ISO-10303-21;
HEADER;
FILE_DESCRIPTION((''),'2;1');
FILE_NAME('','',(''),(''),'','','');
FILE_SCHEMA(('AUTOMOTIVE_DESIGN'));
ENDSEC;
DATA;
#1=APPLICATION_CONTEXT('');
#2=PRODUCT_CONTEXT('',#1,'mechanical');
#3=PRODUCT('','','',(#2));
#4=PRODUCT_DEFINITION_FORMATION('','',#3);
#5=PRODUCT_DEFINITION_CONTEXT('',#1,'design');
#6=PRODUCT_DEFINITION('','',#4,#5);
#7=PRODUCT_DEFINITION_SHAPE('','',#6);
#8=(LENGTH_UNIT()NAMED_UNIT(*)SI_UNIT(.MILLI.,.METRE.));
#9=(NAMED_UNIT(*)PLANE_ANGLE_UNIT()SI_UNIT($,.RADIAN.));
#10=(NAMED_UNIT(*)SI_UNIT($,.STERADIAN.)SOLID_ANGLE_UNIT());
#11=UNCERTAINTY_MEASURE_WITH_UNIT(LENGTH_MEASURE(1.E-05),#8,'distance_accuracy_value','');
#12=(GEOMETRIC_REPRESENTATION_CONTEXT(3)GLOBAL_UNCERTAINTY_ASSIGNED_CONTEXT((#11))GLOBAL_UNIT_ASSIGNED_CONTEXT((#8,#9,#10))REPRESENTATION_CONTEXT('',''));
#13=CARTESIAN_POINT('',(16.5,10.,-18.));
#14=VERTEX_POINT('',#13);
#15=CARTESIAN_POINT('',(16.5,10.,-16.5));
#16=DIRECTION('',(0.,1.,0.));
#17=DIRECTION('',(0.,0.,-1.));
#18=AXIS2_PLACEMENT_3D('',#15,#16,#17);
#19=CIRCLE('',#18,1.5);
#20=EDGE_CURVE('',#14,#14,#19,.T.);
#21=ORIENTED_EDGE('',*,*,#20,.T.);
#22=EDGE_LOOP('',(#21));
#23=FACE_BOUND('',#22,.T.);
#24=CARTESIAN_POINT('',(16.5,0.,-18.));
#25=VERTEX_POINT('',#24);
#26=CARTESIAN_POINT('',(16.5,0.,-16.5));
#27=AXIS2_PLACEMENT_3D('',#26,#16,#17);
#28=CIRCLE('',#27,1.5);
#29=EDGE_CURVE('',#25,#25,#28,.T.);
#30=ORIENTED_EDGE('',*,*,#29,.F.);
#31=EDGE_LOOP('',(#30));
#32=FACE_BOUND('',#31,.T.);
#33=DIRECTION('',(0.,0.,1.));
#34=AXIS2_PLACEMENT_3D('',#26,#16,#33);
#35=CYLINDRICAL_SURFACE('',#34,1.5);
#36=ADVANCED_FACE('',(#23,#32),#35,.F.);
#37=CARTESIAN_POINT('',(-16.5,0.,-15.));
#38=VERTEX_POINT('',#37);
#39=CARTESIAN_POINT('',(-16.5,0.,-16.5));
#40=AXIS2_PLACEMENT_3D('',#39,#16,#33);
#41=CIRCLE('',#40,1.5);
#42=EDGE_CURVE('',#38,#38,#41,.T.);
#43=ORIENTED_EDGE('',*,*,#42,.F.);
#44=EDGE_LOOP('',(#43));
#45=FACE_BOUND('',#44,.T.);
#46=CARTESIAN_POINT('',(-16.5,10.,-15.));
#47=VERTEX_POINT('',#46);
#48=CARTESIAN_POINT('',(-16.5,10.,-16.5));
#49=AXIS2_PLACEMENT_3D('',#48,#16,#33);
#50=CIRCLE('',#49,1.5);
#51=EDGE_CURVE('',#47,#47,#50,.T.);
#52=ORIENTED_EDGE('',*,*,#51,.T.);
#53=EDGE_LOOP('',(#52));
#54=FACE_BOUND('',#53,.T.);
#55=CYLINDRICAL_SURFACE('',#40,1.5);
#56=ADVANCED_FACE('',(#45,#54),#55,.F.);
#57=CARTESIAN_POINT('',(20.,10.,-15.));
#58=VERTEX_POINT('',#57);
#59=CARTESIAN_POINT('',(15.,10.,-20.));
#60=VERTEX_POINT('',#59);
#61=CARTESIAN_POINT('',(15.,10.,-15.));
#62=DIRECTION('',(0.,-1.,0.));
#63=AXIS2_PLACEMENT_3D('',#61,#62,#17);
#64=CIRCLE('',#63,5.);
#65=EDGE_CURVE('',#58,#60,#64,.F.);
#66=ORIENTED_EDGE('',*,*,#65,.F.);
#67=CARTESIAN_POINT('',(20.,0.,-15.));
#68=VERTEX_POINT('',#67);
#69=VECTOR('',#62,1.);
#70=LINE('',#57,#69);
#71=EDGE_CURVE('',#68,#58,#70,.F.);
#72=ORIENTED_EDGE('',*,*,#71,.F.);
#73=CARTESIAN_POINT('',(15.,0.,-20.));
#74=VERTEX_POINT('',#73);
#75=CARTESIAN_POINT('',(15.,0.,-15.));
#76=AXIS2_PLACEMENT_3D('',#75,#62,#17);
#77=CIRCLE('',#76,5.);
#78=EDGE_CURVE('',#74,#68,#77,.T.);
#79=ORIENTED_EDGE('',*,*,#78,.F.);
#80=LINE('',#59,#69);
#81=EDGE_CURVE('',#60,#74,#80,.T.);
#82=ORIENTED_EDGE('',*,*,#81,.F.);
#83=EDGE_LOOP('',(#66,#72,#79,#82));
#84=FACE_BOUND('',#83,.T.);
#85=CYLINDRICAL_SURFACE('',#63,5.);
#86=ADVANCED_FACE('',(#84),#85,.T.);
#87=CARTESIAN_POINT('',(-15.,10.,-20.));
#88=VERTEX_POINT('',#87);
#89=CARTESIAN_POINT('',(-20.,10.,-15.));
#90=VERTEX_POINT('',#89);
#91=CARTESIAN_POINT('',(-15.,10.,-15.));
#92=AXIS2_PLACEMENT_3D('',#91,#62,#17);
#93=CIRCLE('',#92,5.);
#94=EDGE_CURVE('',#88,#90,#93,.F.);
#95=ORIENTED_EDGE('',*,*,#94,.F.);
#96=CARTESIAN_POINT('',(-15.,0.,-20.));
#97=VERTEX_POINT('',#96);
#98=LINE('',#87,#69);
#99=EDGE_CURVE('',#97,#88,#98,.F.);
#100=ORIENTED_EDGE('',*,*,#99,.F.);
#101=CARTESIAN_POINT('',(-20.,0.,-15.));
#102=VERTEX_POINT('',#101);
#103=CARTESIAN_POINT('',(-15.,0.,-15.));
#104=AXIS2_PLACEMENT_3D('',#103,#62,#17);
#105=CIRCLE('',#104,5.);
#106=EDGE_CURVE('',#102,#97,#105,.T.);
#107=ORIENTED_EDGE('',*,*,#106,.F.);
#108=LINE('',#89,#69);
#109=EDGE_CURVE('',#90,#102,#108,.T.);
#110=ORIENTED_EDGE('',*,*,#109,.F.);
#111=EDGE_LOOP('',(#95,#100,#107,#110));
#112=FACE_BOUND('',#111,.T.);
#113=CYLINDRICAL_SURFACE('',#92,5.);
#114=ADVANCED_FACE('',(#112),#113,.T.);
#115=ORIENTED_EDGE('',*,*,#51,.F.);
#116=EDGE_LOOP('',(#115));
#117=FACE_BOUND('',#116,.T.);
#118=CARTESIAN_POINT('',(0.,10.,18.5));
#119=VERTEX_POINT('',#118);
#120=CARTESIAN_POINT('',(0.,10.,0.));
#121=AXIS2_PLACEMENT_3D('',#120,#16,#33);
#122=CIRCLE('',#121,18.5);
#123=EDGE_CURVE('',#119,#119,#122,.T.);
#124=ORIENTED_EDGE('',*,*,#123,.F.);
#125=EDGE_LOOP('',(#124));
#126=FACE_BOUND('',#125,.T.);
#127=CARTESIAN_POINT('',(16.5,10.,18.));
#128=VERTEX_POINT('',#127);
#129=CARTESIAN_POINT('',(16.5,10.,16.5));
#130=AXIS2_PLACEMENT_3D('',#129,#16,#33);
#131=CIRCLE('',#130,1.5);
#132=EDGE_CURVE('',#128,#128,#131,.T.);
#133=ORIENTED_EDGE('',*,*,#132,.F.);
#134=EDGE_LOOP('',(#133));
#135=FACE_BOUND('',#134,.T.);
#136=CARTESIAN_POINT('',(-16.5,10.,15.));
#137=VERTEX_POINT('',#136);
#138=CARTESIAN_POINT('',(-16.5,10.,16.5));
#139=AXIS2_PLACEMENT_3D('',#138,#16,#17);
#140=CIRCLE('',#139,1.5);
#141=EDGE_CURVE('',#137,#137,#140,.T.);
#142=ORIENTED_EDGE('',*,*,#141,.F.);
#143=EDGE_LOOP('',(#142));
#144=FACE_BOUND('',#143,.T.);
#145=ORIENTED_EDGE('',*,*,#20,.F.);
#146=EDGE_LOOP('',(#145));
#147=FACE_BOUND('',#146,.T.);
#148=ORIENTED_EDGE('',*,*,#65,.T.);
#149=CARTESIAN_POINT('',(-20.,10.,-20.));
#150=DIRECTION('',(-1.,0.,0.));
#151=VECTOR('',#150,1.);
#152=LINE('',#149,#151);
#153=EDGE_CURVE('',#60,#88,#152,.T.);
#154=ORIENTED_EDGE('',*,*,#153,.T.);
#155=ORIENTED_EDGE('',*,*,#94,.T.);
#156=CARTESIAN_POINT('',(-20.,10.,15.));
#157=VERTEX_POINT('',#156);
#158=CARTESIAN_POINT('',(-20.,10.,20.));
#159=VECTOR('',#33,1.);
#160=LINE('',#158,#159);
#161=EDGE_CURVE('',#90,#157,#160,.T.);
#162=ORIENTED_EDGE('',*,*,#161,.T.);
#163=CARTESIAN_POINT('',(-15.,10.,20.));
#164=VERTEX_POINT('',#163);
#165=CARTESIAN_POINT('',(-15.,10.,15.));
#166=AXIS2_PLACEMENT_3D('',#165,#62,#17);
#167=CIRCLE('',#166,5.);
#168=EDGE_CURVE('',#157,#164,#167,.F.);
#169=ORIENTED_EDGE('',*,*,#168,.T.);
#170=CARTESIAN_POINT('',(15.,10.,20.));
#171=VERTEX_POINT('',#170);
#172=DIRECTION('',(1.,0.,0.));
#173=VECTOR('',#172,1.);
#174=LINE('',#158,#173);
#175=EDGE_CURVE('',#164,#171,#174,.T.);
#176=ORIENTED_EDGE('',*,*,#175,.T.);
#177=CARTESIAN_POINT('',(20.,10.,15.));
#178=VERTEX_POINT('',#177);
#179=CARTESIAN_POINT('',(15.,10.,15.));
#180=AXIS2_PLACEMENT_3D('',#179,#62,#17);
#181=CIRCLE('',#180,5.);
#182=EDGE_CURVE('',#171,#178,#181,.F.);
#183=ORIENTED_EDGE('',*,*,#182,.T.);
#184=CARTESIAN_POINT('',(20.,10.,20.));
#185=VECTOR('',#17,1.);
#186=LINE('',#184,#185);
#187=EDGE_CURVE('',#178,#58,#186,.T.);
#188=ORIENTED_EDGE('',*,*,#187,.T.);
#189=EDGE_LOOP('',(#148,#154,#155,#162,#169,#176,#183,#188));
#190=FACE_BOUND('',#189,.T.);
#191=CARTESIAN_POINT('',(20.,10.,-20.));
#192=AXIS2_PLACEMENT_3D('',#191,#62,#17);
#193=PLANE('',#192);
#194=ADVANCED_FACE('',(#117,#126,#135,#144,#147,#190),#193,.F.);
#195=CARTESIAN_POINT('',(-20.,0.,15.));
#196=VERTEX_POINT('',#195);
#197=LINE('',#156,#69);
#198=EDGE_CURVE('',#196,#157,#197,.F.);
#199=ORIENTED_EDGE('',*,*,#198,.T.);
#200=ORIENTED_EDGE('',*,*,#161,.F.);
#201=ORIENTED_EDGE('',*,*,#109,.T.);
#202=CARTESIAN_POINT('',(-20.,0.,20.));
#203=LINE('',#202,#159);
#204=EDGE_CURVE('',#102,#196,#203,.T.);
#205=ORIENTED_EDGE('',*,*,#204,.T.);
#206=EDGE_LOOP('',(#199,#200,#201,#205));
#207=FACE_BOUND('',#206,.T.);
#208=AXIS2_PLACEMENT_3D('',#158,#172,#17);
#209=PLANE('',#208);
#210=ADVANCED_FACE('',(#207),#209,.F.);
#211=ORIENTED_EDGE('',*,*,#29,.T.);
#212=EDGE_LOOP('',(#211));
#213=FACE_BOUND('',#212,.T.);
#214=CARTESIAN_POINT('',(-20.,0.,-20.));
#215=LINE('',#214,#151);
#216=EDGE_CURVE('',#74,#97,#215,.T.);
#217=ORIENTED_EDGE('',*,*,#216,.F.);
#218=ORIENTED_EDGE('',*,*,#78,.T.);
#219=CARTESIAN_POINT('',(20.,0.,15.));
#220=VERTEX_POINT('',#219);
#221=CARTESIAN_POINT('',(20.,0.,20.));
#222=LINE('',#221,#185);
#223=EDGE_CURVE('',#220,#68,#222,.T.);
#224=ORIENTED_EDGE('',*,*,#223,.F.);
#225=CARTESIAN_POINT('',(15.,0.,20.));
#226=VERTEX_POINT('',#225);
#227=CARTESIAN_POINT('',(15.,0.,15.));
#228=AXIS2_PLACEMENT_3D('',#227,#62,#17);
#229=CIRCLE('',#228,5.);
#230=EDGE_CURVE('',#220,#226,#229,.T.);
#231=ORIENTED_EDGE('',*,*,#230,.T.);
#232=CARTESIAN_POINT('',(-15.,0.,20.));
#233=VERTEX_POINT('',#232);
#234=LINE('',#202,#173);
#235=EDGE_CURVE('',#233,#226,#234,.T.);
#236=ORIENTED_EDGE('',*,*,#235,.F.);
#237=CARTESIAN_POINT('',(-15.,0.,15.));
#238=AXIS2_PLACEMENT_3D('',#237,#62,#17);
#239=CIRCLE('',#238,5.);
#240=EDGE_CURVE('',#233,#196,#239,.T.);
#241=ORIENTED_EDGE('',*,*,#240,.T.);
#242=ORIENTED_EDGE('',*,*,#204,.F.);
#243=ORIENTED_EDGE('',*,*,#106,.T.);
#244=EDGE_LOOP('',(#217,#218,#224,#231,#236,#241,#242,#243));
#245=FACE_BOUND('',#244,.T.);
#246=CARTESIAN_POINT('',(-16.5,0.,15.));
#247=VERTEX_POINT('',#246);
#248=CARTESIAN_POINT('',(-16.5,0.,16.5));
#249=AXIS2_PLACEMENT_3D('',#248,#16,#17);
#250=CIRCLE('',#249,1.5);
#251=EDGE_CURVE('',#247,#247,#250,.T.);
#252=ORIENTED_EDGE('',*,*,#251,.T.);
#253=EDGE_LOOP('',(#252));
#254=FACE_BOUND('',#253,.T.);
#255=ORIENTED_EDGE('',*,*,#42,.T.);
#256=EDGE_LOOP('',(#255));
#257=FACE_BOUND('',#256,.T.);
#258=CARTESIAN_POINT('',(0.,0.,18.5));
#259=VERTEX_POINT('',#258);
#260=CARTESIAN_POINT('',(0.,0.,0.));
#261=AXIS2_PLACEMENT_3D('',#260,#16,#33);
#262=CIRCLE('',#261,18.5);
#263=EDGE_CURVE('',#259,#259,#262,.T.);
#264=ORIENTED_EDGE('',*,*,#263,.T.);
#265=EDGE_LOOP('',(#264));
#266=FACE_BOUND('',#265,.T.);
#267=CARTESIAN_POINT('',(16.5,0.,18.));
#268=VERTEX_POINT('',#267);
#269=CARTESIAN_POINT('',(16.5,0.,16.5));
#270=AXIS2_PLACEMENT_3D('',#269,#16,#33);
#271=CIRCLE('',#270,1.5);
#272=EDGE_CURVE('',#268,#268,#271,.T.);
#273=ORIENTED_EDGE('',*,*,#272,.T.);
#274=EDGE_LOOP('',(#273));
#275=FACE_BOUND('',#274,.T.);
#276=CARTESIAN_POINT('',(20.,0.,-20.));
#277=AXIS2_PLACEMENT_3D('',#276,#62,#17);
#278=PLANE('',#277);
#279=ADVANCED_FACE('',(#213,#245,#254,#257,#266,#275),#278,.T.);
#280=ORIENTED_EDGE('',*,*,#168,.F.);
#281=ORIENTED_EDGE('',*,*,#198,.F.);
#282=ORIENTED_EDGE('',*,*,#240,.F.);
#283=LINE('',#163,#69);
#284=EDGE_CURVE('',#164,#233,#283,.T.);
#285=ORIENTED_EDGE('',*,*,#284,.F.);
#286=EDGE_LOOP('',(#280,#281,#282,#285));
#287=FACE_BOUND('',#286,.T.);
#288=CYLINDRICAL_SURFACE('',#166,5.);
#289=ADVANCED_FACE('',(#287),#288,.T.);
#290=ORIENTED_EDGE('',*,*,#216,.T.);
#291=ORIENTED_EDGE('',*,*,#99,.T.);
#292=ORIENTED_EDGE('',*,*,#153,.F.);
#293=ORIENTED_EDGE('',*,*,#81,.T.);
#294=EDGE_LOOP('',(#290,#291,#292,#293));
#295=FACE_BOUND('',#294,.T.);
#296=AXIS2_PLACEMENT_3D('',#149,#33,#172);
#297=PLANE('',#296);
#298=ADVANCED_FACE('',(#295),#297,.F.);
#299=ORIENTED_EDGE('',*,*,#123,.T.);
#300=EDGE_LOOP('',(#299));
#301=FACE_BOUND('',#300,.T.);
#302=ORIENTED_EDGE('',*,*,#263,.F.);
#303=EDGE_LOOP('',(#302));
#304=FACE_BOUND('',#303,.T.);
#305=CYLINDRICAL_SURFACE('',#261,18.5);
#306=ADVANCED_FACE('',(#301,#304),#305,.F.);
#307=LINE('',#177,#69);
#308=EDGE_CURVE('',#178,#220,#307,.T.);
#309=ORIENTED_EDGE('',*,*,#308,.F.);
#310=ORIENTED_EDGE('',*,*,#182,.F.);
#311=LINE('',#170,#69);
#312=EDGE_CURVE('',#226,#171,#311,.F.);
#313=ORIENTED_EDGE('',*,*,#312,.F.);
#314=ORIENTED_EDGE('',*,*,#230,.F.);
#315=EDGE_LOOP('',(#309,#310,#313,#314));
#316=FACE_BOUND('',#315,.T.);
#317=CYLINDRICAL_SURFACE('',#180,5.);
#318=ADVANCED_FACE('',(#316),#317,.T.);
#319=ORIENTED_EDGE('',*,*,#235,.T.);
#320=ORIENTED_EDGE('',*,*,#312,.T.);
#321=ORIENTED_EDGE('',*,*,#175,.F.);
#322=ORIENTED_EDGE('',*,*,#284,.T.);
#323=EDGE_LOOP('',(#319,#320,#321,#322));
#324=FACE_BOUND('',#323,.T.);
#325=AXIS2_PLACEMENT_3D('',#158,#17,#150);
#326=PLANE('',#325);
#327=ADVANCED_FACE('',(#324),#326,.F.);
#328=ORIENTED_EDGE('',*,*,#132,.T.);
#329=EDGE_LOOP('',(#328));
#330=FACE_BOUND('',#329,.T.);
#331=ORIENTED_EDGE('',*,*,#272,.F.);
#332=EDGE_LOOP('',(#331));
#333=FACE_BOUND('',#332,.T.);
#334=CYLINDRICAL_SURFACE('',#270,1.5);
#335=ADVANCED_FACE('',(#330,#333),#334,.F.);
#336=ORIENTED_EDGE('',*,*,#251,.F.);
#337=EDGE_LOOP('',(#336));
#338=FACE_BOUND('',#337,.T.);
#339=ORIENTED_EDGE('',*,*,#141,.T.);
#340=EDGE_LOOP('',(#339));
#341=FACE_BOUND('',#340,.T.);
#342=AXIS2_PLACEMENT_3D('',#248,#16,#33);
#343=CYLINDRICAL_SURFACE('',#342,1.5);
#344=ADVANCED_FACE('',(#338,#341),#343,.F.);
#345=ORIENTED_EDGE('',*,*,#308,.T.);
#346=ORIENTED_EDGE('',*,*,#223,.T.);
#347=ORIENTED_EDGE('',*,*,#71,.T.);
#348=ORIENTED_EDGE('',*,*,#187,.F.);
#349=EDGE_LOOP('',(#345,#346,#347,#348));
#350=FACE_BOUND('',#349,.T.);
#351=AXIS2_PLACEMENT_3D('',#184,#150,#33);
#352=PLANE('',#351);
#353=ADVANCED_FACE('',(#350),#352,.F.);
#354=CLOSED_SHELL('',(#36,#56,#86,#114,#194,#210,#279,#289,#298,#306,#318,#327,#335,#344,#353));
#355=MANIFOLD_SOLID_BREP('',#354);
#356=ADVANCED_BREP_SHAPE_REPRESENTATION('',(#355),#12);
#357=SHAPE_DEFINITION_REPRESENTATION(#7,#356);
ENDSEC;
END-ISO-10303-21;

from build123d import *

# Parameters (mm, degrees)
SKETCH1_W           = 40
SKETCH1_H           = 40
BOSS_EXTRUDE1_DEPTH = 10
FILLET1_R           = 5
SKETCH2_R           = 18.5
CUT_EXTRUDE1_DEPTH  = 11
SKETCH3_R           = 1.5
CUT_EXTRUDE2_DEPTH  = 11


with BuildPart() as part:
    # Sketch1 → Boss-Extrude1 (new body)
    with BuildSketch(Plane(origin=(0, 0, 0), x_dir=(1, 0, 0), z_dir=(0, 1, 0))):
        Rectangle(SKETCH1_W, SKETCH1_H)
    extrude(amount=BOSS_EXTRUDE1_DEPTH)

    # Fillet1
    fillet1_edges = [part.edges().sort_by_distance(p)[0] for p in [
        (20, 5, 20),
        (-20, 5, 20),
        (-20, 5, -20),
        (20, 5, -20),
    ]]
    fillet(fillet1_edges, radius=FILLET1_R)

    # Sketch2 → Cut-Extrude1 (cut, through all)
    with BuildSketch(Plane(origin=(0, 10, 0), x_dir=(1, 0, 0), z_dir=(0, 1, 0))):
        Circle(SKETCH2_R)
    extrude(amount=-CUT_EXTRUDE1_DEPTH, mode=Mode.SUBTRACT)

    # Sketch3 → Cut-Extrude2 (cut, through all)
    with BuildSketch(Plane(origin=(0, 10, 0), x_dir=(1, 0, 0), z_dir=(0, 1, 0))):
        with Locations((-16.5, 16.5)):
            Circle(SKETCH3_R)
        with Locations((16.5, 16.5)):
            Circle(SKETCH3_R)
        with Locations((16.5, -16.5)):
            Circle(SKETCH3_R)
        with Locations((-16.5, -16.5)):
            Circle(SKETCH3_R)
    extrude(amount=-CUT_EXTRUDE2_DEPTH, mode=Mode.SUBTRACT)


solid = part.part
